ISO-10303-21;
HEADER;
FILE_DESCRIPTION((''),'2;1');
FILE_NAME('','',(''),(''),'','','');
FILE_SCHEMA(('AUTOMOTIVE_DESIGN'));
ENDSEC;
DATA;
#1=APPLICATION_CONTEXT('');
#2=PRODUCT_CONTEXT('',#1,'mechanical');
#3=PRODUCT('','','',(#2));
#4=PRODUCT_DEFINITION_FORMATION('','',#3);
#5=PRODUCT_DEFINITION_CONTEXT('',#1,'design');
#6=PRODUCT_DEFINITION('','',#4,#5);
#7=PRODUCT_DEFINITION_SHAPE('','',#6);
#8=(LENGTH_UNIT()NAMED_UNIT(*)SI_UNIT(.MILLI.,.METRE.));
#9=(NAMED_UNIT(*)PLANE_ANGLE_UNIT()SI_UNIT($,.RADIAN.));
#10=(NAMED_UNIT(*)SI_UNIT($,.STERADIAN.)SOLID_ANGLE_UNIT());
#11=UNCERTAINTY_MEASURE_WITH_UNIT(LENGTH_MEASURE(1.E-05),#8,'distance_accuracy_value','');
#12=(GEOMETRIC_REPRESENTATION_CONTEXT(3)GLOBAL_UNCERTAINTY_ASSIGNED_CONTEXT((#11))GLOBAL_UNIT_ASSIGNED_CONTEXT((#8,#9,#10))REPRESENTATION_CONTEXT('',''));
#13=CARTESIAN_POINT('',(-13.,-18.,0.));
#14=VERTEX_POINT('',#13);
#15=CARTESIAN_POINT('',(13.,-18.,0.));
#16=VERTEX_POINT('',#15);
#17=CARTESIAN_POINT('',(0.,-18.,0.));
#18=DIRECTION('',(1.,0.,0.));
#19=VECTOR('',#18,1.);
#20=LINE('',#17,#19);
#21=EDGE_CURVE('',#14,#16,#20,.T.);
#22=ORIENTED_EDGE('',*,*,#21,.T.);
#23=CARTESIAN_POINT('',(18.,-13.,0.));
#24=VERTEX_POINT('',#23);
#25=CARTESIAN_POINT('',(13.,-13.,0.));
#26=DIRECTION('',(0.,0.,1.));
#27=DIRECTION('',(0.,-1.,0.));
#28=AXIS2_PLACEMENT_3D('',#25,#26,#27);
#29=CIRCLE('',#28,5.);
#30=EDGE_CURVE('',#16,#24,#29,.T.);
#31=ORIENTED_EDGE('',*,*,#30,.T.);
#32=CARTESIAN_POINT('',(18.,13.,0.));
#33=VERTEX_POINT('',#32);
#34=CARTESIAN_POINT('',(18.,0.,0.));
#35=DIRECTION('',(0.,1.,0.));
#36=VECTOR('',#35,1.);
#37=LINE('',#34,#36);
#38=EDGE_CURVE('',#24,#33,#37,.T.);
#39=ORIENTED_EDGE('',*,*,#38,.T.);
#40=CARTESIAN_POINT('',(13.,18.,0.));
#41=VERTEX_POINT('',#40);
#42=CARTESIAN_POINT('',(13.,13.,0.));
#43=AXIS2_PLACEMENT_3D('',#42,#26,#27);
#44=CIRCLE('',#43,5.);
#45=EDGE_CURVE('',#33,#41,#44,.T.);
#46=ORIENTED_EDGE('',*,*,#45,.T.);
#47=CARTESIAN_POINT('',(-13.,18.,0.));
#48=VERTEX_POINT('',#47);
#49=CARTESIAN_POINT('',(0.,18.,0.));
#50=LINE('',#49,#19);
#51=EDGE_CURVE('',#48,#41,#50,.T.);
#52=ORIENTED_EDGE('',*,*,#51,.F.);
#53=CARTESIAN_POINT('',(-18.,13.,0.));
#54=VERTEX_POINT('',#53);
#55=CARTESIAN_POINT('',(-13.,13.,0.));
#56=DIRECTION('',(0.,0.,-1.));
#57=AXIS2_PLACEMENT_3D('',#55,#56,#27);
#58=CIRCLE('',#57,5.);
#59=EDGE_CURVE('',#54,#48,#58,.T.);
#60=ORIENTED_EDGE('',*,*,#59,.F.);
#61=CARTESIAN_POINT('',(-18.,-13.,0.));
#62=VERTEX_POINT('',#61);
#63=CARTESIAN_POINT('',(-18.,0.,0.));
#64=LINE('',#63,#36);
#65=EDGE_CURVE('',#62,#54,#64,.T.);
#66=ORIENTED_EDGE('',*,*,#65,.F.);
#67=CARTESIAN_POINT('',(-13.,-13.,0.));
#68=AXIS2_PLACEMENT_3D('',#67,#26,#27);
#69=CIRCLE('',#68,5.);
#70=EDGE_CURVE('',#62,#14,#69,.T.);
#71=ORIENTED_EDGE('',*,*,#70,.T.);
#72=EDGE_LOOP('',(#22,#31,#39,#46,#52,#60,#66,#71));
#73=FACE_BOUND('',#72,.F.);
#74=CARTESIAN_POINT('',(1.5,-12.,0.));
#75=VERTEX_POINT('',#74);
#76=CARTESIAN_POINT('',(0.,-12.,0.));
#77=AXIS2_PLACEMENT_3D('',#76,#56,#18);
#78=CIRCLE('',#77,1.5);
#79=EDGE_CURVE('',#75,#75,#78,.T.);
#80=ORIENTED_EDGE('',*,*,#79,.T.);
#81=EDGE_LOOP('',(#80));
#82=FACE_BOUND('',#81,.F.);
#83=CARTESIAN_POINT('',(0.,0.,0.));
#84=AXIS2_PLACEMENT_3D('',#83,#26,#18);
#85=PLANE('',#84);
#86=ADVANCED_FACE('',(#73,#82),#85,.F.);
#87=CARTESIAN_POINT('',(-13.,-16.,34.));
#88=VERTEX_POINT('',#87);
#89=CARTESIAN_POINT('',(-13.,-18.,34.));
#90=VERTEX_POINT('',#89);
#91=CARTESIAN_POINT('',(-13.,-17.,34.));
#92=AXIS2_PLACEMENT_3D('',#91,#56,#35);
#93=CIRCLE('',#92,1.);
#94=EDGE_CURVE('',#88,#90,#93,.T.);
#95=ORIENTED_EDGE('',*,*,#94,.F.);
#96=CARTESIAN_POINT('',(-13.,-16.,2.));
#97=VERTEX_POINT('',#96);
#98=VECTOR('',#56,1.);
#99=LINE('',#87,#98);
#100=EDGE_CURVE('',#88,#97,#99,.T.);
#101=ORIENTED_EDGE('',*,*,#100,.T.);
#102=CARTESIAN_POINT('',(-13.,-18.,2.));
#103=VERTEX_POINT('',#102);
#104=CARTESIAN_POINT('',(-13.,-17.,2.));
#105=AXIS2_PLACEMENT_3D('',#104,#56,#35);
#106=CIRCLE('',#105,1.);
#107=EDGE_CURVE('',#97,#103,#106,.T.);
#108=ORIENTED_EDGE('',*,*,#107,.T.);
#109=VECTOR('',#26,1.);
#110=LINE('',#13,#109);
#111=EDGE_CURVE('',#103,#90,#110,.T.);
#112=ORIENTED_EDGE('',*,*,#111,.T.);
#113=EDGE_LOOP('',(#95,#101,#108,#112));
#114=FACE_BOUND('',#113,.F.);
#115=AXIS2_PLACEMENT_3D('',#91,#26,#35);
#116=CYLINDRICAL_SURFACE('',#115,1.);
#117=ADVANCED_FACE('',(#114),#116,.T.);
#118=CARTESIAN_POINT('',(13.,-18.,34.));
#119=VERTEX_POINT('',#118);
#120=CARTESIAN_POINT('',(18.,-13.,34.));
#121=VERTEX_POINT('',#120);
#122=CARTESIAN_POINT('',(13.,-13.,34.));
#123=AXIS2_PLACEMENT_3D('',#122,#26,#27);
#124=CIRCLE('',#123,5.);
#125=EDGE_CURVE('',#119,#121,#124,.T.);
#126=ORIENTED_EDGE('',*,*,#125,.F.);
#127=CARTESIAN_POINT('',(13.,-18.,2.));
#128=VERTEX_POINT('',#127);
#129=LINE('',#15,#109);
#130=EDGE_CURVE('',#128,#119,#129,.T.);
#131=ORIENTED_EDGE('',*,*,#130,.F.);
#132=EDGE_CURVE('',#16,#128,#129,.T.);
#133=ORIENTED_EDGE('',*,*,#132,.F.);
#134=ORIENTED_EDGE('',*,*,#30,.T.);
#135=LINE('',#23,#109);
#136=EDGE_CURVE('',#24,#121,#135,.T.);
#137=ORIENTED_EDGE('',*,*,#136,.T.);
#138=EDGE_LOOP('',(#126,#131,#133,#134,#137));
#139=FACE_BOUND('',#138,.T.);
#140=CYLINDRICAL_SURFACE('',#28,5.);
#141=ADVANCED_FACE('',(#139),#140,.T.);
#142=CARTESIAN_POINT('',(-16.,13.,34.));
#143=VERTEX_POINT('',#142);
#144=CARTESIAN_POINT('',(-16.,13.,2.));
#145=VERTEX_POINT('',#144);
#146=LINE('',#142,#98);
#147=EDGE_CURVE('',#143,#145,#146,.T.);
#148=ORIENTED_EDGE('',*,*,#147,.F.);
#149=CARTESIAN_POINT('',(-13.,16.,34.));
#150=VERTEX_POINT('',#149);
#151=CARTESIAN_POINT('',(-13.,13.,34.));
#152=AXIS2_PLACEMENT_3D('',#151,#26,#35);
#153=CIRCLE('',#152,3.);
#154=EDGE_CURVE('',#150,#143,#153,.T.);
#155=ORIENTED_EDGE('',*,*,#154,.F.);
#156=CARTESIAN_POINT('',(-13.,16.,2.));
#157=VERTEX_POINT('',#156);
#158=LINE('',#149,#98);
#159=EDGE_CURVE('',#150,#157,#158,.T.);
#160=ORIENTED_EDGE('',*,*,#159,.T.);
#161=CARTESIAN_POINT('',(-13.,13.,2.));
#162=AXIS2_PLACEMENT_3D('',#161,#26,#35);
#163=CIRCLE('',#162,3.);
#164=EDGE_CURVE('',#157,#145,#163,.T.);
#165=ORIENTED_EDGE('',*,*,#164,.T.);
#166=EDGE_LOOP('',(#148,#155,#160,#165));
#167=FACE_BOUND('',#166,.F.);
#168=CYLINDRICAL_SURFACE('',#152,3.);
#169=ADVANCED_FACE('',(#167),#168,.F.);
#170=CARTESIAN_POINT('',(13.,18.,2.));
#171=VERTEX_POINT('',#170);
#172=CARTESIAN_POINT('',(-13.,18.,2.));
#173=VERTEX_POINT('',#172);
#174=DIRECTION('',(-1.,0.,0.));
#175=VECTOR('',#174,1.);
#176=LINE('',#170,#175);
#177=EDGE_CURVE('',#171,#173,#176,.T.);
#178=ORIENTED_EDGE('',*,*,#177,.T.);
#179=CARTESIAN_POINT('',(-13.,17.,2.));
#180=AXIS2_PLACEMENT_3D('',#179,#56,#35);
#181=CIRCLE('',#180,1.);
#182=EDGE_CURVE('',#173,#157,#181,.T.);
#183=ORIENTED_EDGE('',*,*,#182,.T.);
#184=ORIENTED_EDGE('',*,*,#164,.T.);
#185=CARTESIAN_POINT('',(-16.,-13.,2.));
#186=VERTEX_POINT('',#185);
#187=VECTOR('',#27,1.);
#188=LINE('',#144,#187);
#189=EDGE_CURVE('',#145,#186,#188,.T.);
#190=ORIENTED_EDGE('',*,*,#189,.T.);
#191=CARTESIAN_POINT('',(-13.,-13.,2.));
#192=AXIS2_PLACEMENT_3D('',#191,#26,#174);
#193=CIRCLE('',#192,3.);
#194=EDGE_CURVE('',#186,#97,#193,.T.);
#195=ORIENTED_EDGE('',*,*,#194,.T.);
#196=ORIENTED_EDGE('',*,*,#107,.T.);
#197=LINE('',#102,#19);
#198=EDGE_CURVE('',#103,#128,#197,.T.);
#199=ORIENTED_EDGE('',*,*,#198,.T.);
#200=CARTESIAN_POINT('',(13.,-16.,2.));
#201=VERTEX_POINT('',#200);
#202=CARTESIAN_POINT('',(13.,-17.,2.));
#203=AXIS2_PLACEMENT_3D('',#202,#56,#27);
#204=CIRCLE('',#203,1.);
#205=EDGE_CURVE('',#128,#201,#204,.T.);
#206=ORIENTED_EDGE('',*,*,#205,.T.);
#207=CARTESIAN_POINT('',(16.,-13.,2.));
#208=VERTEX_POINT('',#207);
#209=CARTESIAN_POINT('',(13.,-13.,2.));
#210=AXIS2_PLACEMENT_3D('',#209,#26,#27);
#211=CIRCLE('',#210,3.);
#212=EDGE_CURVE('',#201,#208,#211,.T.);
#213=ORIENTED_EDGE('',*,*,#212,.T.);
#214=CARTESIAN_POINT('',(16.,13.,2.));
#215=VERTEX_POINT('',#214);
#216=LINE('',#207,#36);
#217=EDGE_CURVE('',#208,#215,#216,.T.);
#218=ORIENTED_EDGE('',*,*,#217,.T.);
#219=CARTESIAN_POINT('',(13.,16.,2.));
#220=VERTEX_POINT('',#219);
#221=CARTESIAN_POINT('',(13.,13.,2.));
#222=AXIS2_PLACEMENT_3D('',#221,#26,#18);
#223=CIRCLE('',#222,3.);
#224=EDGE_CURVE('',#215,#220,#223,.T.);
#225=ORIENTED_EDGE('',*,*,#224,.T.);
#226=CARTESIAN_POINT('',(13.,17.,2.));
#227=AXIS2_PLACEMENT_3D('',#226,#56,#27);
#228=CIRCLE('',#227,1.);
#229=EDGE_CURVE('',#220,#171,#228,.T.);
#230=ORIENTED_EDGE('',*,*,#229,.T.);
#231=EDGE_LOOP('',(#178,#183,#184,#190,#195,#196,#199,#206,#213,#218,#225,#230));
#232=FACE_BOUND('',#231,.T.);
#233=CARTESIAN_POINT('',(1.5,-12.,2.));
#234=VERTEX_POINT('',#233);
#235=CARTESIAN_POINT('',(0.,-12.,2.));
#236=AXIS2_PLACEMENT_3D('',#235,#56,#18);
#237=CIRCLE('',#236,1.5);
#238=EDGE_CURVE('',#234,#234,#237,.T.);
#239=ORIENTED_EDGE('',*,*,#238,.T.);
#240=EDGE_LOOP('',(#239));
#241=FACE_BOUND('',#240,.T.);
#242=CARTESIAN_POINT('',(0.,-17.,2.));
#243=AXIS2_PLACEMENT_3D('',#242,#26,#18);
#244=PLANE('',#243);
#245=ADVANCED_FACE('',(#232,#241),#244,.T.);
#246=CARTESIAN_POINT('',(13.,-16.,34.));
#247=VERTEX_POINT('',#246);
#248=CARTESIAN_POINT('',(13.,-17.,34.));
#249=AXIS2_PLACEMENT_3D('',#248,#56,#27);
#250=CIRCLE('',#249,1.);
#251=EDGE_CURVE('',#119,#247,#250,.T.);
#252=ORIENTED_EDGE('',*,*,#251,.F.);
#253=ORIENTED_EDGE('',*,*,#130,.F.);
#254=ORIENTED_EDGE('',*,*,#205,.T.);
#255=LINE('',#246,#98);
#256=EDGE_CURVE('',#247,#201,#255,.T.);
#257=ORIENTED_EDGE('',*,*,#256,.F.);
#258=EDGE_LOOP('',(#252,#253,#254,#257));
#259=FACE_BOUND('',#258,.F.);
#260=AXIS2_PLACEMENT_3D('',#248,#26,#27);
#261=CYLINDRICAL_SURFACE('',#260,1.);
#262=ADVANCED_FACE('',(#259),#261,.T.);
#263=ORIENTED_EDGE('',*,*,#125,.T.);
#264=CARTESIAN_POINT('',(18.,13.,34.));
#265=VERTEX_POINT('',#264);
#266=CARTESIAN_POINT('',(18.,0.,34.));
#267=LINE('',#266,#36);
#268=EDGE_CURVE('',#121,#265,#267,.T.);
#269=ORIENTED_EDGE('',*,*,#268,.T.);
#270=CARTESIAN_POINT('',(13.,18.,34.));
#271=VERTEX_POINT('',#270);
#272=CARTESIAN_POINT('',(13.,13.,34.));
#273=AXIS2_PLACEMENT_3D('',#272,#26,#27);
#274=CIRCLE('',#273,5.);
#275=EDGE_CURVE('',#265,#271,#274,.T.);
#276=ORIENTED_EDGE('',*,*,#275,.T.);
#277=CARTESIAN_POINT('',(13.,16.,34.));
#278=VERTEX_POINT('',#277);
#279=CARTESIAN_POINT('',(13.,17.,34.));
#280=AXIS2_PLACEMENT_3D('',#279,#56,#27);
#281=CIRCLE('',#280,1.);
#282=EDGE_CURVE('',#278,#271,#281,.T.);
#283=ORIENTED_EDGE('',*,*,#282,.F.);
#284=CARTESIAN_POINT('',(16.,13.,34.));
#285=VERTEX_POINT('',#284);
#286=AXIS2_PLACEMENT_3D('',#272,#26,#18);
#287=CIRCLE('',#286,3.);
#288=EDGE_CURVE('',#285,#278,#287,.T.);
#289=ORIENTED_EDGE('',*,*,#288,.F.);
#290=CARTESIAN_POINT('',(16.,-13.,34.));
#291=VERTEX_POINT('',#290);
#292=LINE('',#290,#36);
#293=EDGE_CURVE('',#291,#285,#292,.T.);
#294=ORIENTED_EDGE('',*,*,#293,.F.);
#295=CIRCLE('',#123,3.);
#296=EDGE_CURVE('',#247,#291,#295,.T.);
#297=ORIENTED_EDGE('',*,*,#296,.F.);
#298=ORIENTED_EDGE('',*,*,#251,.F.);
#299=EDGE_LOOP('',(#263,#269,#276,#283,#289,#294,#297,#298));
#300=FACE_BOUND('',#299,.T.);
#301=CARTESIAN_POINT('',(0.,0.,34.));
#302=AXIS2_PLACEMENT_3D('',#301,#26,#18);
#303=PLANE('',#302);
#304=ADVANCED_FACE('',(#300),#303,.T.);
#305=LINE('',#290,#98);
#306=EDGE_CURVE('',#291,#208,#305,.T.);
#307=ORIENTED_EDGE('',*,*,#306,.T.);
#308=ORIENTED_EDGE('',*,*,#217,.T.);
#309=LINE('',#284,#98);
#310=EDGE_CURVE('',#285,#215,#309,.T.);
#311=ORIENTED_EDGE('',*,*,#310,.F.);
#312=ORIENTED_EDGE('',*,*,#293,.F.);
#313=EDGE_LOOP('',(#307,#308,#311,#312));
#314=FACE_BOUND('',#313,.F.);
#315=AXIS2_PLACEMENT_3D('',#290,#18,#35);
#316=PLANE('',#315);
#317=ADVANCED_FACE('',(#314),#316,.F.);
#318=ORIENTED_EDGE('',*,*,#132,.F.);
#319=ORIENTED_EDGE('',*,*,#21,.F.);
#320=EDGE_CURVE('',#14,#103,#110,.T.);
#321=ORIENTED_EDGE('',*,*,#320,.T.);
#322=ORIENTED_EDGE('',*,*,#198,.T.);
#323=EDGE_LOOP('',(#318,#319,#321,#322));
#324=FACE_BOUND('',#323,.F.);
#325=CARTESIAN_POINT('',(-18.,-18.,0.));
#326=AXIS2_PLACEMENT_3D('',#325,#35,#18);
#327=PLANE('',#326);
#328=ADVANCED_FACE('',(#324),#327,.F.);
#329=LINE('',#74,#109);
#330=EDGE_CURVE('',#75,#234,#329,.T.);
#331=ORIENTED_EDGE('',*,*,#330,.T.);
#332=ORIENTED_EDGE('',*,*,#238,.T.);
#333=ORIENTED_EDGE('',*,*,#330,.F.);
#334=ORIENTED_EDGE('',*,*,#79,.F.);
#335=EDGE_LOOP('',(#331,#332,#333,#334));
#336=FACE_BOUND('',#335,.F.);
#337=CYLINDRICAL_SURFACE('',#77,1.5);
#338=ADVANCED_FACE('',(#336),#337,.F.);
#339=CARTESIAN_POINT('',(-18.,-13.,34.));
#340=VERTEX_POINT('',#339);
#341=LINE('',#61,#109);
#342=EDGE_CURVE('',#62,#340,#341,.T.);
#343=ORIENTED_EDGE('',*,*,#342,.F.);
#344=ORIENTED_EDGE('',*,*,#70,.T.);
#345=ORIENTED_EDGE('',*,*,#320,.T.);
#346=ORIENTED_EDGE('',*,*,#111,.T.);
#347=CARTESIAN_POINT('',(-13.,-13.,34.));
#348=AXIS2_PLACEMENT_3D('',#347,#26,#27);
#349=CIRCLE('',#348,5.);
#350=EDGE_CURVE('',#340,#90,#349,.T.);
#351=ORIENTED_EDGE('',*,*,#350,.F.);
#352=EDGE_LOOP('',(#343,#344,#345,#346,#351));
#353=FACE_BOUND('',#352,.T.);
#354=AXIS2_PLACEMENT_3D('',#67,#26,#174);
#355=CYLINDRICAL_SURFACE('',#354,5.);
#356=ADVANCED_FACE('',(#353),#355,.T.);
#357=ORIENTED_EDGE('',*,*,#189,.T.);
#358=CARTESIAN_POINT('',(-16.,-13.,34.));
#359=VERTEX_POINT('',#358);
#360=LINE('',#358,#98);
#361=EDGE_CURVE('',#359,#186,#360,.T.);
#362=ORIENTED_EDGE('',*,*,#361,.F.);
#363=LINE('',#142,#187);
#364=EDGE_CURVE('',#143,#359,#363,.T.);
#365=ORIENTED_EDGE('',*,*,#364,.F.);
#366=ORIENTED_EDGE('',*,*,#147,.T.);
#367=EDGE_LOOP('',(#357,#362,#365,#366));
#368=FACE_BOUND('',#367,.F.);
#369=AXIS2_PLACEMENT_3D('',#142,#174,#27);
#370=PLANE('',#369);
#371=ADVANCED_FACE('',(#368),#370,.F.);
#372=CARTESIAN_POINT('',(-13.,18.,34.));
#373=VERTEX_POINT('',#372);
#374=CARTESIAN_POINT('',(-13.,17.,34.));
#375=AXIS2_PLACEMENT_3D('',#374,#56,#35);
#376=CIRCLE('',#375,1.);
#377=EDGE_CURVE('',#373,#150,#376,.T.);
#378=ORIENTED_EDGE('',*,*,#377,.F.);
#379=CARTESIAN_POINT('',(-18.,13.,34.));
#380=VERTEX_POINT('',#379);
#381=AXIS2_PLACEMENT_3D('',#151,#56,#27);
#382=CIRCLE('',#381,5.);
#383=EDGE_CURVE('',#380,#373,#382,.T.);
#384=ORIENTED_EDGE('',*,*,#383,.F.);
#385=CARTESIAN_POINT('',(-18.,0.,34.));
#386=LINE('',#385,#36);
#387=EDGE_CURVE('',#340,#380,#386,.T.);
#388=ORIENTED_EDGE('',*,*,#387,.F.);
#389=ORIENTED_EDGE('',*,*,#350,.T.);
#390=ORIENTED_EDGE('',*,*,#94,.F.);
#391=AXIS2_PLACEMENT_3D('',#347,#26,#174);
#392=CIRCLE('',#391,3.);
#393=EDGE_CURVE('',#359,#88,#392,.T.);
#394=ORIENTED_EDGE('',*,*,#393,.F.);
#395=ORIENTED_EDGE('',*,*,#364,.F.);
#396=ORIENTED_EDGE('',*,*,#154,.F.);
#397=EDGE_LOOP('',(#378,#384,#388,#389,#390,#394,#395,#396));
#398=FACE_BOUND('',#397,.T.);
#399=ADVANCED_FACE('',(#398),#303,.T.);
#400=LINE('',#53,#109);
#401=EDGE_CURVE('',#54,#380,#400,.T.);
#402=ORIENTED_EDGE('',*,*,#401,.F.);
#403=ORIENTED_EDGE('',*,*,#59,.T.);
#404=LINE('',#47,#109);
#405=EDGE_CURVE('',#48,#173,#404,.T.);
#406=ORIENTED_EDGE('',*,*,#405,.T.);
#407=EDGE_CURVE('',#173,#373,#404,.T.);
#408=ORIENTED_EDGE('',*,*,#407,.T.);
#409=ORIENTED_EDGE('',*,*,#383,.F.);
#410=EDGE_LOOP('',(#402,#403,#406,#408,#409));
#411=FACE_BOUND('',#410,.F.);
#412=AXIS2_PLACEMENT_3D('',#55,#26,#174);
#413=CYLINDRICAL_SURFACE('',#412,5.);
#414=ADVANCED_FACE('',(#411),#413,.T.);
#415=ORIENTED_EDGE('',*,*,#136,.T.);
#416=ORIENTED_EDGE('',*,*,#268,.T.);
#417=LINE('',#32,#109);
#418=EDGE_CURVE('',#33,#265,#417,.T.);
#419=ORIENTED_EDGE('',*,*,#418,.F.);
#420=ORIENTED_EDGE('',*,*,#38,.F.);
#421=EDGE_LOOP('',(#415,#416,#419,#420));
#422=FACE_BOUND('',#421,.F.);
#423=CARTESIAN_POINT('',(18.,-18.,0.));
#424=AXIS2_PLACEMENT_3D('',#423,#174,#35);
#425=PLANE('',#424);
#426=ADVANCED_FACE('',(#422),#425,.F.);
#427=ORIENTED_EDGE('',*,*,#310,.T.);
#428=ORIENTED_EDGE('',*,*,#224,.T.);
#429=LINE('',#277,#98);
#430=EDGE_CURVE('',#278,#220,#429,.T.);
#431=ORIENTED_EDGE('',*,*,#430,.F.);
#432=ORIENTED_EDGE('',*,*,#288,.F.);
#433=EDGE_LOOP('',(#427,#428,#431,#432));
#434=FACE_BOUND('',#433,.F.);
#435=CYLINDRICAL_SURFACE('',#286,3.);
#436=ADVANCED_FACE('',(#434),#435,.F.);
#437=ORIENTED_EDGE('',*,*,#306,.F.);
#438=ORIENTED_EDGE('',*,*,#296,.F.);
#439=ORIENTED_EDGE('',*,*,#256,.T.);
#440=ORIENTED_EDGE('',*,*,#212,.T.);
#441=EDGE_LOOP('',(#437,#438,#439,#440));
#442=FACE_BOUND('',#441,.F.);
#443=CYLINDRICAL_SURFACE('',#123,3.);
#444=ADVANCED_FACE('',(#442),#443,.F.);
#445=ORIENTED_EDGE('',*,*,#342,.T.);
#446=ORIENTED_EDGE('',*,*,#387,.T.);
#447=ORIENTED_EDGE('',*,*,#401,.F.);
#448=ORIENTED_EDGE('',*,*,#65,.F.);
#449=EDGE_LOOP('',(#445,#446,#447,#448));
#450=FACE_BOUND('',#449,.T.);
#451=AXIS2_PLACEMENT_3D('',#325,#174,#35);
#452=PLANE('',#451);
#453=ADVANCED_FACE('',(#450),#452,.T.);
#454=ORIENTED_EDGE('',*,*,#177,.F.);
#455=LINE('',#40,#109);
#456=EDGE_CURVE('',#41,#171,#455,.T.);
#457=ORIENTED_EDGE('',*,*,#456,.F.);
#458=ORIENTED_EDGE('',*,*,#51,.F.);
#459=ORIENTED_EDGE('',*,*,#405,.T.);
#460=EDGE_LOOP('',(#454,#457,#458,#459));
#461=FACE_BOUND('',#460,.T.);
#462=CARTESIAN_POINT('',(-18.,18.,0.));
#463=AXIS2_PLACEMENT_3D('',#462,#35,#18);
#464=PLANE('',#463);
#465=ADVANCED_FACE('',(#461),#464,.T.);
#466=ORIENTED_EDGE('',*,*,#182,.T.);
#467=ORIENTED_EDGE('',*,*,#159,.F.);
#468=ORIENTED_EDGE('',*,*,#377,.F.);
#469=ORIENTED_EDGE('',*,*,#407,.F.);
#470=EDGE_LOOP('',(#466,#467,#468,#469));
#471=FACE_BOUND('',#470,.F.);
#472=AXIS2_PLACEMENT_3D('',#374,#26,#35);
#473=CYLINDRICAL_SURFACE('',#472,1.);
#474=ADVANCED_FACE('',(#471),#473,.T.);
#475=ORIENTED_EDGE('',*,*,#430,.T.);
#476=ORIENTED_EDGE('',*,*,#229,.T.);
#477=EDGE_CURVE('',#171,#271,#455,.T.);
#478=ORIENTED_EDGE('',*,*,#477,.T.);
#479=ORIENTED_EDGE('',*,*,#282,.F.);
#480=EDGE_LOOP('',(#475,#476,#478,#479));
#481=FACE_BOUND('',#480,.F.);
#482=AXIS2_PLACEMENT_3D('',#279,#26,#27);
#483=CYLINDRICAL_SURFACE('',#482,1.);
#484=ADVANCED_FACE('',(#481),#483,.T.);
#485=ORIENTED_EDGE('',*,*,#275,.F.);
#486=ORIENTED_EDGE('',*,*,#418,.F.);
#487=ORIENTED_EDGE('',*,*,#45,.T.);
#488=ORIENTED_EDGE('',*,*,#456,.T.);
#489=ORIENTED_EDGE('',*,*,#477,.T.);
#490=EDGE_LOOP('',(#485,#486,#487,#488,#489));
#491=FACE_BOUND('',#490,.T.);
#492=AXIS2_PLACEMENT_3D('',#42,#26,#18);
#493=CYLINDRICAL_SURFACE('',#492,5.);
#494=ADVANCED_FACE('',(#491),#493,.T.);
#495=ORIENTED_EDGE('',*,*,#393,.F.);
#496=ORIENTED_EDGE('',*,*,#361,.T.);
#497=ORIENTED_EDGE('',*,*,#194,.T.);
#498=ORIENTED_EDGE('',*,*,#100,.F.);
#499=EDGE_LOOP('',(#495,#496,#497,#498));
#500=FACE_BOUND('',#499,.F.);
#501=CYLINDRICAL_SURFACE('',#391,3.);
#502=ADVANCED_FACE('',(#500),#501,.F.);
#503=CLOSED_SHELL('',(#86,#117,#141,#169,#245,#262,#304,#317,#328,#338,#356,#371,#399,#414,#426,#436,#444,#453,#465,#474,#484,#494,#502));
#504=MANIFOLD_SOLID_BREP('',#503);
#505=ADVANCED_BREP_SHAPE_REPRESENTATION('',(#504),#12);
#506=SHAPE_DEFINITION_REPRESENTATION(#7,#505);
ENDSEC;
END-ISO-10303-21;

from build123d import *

# Parameters (mm, degrees)
F0_W     = 36
F0_H     = 36
F1_DEPTH = 34
F2_R     = 5
F4_DEPTH = 32
F5_R     = 1.5
F6_DEPTH = 25
F8_DEPTH = 32


with BuildPart() as f1:
    # F0 (on Top) → F1 (new body)
    with BuildSketch(Plane.XY):
        Rectangle(F0_W, F0_H)
    extrude(amount=F1_DEPTH)

    # F2
    f2_edges = [f1.edges().sort_by_distance(p)[0] for p in [
        (18, 18, 17),
        (-18, 18, 17),
        (18, -18, 17),
        (-18, -18, 17),
    ]]
    fillet(f2_edges, radius=F2_R)

    # F3 (on face) → F4 (cut)
    with BuildSketch(Plane.XY.offset(34)):
        with BuildLine():
            ThreePointArc((-13, 18), (-12, 17), (-13, 16))
            ThreePointArc((-13, 16), (-15.1213203436, 15.1213203436), (-16, 13))
            Line((-16, 13), (-16, -13))
            ThreePointArc((-16, -13), (-15.1213203436, -15.1213203436), (-13, -16))
            Line((-13, -16), (13, -16))
            ThreePointArc((13, -16), (15.1213203436, -15.1213203436), (16, -13))
            Line((16, -13), (16, 13))
            ThreePointArc((16, 13), (15.1213203436, 15.1213203436), (13, 16))
            ThreePointArc((13, 16), (12, 17), (13, 18))
            Line((13, 18), (-13, 18))
        make_face()
    extrude(amount=-F4_DEPTH, mode=Mode.SUBTRACT)

    # F5 (on face) → F6 (cut)
    with BuildSketch(Plane(origin=(0, 0, 0), x_dir=(1, 0, 0), z_dir=(0, 0, -1))):
        with Locations((0, 12)):
            Circle(F5_R)
    extrude(amount=-F6_DEPTH, mode=Mode.SUBTRACT)

    # F7 (on face) → F8 (cut, through all)
    with BuildSketch(Plane.XY.offset(34)):
        with BuildLine():
            ThreePointArc((-13, -16), (-12, -17), (-13, -18))
            Line((-13, -18), (13, -18))
            ThreePointArc((13, -18), (12, -17), (13, -16))
            Line((13, -16), (-13, -16))
        make_face()
    extrude(amount=-F8_DEPTH, mode=Mode.SUBTRACT)


solid = f1.part
